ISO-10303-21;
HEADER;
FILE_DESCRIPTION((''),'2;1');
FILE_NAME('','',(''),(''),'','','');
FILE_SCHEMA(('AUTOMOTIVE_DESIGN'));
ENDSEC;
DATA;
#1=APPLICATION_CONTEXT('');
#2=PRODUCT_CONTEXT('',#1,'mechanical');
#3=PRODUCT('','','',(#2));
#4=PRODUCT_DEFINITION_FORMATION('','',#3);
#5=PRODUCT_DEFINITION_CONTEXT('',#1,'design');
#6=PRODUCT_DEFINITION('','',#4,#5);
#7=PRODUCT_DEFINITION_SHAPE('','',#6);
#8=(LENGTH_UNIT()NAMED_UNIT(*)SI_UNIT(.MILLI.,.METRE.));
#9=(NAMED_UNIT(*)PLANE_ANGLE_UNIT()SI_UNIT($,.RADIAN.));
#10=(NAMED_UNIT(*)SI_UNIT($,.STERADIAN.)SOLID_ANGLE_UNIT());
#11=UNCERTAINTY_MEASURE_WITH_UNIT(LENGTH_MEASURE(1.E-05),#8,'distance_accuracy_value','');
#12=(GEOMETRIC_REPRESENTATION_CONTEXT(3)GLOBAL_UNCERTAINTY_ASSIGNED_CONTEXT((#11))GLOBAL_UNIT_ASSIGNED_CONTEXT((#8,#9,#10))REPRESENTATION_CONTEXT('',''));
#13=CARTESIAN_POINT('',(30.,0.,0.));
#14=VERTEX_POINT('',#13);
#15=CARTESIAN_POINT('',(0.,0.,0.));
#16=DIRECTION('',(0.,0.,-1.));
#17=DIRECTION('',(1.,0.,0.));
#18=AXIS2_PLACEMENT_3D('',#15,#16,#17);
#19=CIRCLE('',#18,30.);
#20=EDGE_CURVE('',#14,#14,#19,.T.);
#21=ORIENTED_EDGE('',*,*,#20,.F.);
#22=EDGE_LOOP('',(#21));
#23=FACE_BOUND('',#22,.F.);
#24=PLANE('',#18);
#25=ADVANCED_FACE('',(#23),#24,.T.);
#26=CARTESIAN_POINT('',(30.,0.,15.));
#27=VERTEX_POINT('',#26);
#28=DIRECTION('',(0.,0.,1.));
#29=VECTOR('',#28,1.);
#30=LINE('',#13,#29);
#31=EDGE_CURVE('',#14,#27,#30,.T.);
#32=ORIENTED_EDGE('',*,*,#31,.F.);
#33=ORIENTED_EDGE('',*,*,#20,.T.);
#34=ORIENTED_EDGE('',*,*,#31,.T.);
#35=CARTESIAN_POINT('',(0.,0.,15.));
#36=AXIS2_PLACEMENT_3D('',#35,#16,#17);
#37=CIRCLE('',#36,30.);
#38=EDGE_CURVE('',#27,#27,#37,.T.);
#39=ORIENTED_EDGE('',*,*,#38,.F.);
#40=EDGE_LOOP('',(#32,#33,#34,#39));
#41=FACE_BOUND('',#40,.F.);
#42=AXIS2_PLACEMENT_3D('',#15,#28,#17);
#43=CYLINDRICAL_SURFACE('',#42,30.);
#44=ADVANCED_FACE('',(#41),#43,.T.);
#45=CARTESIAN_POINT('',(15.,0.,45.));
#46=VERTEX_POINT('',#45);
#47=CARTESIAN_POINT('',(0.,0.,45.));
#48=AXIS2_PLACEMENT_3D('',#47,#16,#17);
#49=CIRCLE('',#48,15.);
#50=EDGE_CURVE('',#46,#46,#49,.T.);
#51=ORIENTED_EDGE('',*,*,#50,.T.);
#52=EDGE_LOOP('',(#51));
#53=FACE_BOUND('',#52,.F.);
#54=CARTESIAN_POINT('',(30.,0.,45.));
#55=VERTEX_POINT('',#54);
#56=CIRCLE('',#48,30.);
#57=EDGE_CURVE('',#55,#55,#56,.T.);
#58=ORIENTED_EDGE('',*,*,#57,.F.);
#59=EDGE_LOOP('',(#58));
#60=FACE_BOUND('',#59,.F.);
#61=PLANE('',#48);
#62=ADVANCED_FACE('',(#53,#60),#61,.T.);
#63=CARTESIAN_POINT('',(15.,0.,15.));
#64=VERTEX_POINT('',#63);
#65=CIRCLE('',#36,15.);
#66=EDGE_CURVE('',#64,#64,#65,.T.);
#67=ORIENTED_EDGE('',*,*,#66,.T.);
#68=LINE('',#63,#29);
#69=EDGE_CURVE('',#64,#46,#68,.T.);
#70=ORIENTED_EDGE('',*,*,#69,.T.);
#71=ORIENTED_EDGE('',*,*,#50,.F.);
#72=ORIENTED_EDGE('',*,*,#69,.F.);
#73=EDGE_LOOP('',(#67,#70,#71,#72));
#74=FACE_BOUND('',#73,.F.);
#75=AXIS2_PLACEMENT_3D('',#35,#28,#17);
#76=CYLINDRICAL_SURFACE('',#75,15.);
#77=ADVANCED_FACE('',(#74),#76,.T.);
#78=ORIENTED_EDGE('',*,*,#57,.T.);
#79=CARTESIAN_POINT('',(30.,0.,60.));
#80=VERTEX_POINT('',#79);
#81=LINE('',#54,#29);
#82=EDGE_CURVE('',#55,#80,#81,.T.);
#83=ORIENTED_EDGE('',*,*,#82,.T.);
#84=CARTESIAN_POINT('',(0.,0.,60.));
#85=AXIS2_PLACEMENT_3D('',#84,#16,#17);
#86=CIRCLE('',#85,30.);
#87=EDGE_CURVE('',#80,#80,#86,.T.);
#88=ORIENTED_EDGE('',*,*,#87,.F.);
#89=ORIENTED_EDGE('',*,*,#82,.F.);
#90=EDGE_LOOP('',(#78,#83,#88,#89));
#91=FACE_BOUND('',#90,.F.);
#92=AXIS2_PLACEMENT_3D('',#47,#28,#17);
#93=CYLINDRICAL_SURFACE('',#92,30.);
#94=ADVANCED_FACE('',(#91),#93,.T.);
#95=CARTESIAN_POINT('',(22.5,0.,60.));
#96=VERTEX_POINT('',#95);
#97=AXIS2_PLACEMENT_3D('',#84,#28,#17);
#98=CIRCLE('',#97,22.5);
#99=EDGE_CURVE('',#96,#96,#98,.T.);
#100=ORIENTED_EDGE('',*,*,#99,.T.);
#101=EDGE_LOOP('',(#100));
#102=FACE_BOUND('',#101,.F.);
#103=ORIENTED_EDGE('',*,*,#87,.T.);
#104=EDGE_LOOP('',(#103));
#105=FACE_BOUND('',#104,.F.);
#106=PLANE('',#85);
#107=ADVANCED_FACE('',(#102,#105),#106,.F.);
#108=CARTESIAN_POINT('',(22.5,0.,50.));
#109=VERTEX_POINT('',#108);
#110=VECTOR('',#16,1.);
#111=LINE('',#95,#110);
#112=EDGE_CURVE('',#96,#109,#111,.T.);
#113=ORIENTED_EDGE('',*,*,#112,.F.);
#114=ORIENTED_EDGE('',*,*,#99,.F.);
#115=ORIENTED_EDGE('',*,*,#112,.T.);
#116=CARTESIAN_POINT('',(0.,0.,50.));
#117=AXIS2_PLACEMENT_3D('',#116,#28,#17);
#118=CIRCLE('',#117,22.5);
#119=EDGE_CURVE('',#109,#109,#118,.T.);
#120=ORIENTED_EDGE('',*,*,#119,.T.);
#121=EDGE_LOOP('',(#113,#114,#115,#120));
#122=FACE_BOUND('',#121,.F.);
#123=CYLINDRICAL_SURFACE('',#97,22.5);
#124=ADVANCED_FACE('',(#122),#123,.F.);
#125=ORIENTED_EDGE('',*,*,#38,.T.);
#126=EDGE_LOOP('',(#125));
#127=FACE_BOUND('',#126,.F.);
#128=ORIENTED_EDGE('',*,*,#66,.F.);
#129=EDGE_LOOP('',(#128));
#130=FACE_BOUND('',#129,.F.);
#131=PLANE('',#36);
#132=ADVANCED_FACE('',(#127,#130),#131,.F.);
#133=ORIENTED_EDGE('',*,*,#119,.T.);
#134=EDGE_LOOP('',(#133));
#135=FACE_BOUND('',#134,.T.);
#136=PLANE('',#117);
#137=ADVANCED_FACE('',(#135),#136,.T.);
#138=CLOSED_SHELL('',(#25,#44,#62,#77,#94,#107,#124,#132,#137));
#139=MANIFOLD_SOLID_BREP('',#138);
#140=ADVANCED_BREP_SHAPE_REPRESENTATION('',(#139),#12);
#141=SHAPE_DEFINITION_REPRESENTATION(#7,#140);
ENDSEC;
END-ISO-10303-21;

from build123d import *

# Parameters (mm, degrees)
F2_R     = 22.5
F3_DEPTH = 10


with BuildPart() as f1:
    # F0 (on Front) → F1 (revolve)
    with BuildSketch(Plane.XZ):
        Polygon((0, 60), (0, 0), (30, 0), (30, 15), (15, 15), (15, 45), (30, 45), (30, 60), align=None)
    revolve(axis=Axis((0, 0, 30), (0, 0, -1)))

    # F2 (on face) → F3 (cut)
    with BuildSketch(Plane.XY.offset(60)):
        Circle(F2_R)
    extrude(amount=-F3_DEPTH, mode=Mode.SUBTRACT)


solid = f1.part
